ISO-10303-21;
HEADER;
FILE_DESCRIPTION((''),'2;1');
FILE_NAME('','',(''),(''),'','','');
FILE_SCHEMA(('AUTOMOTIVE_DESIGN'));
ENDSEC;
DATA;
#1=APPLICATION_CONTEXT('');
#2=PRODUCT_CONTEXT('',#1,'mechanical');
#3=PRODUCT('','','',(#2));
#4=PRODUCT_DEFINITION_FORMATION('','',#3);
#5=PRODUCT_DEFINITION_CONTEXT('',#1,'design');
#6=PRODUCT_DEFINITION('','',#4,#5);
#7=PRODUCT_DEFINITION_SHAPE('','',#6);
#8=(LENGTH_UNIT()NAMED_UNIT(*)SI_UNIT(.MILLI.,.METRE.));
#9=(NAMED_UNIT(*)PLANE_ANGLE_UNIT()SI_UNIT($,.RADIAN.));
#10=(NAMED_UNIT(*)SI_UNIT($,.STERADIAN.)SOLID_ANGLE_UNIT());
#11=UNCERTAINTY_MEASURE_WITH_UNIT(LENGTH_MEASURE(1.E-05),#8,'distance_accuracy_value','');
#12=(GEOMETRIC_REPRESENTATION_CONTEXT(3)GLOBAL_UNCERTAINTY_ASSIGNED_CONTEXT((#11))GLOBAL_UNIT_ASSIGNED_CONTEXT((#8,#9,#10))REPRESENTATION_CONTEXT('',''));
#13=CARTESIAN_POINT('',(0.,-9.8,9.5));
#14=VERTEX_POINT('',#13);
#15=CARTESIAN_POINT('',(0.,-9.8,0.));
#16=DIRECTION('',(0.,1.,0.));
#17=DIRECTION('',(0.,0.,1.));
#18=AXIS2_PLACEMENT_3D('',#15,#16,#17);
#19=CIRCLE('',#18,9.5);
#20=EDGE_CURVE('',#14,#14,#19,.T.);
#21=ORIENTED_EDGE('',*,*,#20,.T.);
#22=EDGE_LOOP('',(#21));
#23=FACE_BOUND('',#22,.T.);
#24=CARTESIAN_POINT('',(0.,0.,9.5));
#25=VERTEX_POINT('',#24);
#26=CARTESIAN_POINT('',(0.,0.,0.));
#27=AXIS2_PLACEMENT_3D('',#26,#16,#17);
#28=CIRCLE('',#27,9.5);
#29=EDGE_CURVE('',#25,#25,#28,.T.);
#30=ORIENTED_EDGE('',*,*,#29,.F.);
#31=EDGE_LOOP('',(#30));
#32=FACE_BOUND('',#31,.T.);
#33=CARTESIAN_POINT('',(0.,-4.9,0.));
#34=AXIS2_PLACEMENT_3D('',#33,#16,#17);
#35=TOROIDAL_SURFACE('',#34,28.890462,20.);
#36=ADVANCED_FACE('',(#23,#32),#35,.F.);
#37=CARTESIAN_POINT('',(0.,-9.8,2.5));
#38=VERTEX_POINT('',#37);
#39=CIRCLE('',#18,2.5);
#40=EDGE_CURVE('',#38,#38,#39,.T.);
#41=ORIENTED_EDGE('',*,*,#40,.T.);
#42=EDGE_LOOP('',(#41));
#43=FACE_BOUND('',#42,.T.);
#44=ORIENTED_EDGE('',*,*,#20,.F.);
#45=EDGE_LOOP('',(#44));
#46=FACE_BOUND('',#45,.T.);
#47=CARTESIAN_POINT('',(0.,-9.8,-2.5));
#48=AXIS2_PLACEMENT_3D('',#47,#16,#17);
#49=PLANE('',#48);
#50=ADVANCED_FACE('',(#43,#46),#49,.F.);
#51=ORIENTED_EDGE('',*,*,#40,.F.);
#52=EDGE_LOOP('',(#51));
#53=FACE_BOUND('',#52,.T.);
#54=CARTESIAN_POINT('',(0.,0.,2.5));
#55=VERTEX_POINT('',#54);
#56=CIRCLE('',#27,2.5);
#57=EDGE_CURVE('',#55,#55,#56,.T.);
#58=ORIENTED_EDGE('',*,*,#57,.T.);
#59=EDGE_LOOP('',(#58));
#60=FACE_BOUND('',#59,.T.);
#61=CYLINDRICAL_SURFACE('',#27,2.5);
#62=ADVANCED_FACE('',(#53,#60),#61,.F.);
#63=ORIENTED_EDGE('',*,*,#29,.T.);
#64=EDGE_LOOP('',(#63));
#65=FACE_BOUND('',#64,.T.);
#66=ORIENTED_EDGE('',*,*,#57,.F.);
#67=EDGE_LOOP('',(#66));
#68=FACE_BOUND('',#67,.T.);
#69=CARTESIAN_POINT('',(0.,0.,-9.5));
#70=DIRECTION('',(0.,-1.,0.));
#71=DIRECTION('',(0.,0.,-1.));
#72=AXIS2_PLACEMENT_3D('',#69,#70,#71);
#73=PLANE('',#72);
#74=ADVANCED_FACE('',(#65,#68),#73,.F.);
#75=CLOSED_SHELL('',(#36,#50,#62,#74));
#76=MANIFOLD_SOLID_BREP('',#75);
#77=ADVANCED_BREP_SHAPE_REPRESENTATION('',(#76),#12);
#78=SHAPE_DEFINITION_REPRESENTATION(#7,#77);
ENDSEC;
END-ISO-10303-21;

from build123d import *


with BuildPart() as part:
    # Sketch1 → Revolve1 (revolve)
    with BuildSketch(Plane(origin=(0, 0, 0), x_dir=(0, 0, -1), z_dir=(1, 0, 0)), mode=Mode.PRIVATE) as revolve1_sk:
        with BuildLine():
            Line((2.5, 0), (2.5, -9.8))
            Line((2.5, -9.8), (9.5, -9.8))
            ThreePointArc((9.5, -9.8), (8.890461573, -4.9), (9.5, 0))
            Line((9.5, 0), (2.5, 0))
        make_face()
    revolve(revolve1_sk.sketch.rotate(Axis((0, 0, 0), (0, -1, 0)), 180), axis=Axis((0, 0, 0), (0, -1, 0)))


solid = part.part
